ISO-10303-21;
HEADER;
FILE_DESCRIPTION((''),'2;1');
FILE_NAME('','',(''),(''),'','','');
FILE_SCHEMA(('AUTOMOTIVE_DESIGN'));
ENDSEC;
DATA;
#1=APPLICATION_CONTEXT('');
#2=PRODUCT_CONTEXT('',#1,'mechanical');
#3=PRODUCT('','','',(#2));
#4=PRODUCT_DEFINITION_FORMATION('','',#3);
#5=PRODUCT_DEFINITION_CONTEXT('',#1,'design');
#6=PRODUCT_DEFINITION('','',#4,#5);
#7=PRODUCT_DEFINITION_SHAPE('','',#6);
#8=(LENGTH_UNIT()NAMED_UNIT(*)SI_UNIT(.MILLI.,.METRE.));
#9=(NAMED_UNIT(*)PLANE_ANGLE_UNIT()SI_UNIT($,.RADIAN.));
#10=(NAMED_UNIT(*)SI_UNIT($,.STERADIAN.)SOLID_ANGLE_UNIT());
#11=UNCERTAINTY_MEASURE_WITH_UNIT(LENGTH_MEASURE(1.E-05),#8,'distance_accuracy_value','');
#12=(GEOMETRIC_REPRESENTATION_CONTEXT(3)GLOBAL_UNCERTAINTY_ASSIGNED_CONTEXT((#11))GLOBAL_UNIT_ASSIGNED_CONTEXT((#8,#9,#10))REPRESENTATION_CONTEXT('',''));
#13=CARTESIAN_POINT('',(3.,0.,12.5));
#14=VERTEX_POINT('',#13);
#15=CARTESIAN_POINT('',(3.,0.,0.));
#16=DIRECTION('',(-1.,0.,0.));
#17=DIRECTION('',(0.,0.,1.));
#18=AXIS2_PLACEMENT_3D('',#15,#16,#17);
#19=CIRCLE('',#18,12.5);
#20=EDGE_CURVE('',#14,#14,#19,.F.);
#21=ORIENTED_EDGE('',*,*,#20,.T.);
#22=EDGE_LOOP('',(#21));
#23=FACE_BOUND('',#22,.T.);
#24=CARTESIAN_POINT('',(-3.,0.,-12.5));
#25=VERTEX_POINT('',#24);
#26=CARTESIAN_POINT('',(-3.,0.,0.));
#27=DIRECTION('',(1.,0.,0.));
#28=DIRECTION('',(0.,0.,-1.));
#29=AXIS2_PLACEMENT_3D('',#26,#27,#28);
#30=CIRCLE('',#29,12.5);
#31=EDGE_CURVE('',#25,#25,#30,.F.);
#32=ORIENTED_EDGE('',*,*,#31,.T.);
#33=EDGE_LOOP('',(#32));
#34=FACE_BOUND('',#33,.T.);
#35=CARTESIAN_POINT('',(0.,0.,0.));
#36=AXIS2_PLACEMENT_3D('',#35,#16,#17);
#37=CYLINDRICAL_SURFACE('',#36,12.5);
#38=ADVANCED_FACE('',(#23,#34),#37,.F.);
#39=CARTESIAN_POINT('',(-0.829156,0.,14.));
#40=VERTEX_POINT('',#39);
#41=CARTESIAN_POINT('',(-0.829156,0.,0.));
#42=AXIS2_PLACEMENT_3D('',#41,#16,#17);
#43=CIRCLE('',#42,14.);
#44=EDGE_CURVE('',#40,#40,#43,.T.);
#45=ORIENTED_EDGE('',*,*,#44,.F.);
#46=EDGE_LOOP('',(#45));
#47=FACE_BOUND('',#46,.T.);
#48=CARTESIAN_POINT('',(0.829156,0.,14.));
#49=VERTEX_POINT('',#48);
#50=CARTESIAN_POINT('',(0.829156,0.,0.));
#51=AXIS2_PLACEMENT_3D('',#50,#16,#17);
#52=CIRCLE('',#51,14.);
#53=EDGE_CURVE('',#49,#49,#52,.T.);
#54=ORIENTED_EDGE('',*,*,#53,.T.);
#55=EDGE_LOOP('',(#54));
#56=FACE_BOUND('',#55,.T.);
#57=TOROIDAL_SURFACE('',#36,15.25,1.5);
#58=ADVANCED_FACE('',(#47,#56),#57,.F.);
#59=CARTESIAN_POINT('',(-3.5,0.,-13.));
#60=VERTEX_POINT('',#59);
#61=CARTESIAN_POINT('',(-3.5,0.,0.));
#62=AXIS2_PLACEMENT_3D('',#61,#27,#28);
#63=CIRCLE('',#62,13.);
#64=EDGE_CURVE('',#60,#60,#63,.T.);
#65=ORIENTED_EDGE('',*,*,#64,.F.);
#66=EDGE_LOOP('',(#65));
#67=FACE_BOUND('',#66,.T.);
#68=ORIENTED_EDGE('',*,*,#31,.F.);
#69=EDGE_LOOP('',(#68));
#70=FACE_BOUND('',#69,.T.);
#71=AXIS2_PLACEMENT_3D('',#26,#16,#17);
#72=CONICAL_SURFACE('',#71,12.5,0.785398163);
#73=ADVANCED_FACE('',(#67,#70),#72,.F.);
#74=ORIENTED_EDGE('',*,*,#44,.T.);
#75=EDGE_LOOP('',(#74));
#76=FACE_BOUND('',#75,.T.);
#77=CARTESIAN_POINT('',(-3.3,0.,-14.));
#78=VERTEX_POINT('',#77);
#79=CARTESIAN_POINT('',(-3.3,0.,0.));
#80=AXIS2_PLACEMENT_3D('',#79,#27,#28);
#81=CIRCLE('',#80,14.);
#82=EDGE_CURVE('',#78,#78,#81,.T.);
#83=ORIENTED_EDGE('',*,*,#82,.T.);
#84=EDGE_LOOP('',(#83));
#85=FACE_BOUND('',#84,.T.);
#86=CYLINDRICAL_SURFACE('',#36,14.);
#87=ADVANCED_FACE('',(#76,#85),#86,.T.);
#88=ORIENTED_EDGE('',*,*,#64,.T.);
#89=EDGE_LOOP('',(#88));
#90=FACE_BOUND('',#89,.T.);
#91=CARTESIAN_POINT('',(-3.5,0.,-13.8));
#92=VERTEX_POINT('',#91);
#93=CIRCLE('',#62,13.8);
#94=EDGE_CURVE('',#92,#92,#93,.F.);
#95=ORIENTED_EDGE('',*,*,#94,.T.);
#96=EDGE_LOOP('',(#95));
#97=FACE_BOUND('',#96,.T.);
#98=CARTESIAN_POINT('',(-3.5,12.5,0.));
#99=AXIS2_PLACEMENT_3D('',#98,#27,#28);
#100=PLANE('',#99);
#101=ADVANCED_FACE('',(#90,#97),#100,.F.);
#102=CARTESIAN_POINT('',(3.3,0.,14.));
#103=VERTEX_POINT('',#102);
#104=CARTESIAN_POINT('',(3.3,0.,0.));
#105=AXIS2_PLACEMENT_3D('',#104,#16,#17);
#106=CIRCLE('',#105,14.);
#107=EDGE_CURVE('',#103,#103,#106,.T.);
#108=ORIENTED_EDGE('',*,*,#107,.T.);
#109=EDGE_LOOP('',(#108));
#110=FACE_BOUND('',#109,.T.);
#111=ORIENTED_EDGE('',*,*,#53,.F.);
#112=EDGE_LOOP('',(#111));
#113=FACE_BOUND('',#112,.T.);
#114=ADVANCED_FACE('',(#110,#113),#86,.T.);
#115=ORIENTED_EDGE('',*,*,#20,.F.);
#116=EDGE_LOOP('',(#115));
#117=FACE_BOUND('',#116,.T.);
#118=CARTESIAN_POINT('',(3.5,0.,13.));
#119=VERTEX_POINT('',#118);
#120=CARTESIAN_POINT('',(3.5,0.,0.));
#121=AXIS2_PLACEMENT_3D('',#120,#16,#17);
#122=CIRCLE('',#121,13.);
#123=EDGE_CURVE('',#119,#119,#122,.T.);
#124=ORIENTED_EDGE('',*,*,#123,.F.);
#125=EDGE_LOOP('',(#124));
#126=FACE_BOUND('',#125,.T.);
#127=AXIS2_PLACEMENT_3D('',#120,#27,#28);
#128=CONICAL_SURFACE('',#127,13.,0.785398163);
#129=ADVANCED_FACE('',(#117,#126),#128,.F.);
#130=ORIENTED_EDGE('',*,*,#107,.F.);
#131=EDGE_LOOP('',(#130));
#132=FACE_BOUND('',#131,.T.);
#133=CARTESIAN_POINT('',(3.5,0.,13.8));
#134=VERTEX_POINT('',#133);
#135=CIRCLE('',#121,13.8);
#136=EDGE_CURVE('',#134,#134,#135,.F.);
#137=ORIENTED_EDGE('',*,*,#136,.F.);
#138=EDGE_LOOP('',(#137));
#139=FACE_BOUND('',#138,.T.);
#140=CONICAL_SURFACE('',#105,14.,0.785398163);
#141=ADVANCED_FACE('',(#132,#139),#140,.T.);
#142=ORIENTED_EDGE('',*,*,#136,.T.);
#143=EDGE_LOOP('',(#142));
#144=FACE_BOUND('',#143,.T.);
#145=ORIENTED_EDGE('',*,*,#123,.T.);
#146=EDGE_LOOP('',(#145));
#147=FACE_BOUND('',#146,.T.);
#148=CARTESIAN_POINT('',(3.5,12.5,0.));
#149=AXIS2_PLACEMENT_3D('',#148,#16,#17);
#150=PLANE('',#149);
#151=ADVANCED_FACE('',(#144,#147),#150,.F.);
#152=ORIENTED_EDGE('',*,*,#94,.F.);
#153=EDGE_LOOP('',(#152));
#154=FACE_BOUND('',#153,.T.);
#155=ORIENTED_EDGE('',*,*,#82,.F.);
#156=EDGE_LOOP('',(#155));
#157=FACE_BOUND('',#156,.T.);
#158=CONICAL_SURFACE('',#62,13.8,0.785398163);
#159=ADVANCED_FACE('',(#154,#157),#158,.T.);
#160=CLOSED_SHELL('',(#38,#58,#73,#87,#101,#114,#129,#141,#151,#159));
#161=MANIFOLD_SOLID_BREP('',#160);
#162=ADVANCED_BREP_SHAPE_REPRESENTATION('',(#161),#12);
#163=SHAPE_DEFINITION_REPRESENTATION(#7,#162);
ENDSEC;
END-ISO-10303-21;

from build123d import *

# Parameters (mm, degrees)
CHAMFER_1_SIZE = 0.5
CHAMFER_2_SIZE = 0.2


with BuildPart() as part:
    # Эскиз1 → Повернуть1 (revolve)
    with BuildSketch(Plane.XY, mode=Mode.PRIVATE) as revolve_1_sk:
        with BuildLine():
            Line((0.829156198, 14), (3.5, 14))
            Line((3.5, 14), (3.5, 12.5))
            Line((3.5, 12.5), (-3.5, 12.5))
            Line((-3.5, 12.5), (-3.5, 14))
            Line((-3.5, 14), (-0.829156198, 14))
            ThreePointArc((-0.829156198, 14), (0, 13.75), (0.829156198, 14))
        make_face()
    revolve(revolve_1_sk.sketch.rotate(Axis((0, 0, 0), (1, 0, 0)), 90), axis=Axis((0, 0, 0), (1, 0, 0)))

    # Фаска1
    chamfer_1_edges = [part.edges().sort_by_distance(p)[0] for p in [
        (3.5, 0, -12.5),
        (-3.5, 0, -12.5),
    ]]
    chamfer(chamfer_1_edges, length=CHAMFER_1_SIZE)

    # Фаска2
    chamfer_2_edges = [part.edges().sort_by_distance(p)[0] for p in [
        (-3.5, 0, -14),
        (3.5, 0, -14),
    ]]
    chamfer(chamfer_2_edges, length=CHAMFER_2_SIZE)


solid = part.part
